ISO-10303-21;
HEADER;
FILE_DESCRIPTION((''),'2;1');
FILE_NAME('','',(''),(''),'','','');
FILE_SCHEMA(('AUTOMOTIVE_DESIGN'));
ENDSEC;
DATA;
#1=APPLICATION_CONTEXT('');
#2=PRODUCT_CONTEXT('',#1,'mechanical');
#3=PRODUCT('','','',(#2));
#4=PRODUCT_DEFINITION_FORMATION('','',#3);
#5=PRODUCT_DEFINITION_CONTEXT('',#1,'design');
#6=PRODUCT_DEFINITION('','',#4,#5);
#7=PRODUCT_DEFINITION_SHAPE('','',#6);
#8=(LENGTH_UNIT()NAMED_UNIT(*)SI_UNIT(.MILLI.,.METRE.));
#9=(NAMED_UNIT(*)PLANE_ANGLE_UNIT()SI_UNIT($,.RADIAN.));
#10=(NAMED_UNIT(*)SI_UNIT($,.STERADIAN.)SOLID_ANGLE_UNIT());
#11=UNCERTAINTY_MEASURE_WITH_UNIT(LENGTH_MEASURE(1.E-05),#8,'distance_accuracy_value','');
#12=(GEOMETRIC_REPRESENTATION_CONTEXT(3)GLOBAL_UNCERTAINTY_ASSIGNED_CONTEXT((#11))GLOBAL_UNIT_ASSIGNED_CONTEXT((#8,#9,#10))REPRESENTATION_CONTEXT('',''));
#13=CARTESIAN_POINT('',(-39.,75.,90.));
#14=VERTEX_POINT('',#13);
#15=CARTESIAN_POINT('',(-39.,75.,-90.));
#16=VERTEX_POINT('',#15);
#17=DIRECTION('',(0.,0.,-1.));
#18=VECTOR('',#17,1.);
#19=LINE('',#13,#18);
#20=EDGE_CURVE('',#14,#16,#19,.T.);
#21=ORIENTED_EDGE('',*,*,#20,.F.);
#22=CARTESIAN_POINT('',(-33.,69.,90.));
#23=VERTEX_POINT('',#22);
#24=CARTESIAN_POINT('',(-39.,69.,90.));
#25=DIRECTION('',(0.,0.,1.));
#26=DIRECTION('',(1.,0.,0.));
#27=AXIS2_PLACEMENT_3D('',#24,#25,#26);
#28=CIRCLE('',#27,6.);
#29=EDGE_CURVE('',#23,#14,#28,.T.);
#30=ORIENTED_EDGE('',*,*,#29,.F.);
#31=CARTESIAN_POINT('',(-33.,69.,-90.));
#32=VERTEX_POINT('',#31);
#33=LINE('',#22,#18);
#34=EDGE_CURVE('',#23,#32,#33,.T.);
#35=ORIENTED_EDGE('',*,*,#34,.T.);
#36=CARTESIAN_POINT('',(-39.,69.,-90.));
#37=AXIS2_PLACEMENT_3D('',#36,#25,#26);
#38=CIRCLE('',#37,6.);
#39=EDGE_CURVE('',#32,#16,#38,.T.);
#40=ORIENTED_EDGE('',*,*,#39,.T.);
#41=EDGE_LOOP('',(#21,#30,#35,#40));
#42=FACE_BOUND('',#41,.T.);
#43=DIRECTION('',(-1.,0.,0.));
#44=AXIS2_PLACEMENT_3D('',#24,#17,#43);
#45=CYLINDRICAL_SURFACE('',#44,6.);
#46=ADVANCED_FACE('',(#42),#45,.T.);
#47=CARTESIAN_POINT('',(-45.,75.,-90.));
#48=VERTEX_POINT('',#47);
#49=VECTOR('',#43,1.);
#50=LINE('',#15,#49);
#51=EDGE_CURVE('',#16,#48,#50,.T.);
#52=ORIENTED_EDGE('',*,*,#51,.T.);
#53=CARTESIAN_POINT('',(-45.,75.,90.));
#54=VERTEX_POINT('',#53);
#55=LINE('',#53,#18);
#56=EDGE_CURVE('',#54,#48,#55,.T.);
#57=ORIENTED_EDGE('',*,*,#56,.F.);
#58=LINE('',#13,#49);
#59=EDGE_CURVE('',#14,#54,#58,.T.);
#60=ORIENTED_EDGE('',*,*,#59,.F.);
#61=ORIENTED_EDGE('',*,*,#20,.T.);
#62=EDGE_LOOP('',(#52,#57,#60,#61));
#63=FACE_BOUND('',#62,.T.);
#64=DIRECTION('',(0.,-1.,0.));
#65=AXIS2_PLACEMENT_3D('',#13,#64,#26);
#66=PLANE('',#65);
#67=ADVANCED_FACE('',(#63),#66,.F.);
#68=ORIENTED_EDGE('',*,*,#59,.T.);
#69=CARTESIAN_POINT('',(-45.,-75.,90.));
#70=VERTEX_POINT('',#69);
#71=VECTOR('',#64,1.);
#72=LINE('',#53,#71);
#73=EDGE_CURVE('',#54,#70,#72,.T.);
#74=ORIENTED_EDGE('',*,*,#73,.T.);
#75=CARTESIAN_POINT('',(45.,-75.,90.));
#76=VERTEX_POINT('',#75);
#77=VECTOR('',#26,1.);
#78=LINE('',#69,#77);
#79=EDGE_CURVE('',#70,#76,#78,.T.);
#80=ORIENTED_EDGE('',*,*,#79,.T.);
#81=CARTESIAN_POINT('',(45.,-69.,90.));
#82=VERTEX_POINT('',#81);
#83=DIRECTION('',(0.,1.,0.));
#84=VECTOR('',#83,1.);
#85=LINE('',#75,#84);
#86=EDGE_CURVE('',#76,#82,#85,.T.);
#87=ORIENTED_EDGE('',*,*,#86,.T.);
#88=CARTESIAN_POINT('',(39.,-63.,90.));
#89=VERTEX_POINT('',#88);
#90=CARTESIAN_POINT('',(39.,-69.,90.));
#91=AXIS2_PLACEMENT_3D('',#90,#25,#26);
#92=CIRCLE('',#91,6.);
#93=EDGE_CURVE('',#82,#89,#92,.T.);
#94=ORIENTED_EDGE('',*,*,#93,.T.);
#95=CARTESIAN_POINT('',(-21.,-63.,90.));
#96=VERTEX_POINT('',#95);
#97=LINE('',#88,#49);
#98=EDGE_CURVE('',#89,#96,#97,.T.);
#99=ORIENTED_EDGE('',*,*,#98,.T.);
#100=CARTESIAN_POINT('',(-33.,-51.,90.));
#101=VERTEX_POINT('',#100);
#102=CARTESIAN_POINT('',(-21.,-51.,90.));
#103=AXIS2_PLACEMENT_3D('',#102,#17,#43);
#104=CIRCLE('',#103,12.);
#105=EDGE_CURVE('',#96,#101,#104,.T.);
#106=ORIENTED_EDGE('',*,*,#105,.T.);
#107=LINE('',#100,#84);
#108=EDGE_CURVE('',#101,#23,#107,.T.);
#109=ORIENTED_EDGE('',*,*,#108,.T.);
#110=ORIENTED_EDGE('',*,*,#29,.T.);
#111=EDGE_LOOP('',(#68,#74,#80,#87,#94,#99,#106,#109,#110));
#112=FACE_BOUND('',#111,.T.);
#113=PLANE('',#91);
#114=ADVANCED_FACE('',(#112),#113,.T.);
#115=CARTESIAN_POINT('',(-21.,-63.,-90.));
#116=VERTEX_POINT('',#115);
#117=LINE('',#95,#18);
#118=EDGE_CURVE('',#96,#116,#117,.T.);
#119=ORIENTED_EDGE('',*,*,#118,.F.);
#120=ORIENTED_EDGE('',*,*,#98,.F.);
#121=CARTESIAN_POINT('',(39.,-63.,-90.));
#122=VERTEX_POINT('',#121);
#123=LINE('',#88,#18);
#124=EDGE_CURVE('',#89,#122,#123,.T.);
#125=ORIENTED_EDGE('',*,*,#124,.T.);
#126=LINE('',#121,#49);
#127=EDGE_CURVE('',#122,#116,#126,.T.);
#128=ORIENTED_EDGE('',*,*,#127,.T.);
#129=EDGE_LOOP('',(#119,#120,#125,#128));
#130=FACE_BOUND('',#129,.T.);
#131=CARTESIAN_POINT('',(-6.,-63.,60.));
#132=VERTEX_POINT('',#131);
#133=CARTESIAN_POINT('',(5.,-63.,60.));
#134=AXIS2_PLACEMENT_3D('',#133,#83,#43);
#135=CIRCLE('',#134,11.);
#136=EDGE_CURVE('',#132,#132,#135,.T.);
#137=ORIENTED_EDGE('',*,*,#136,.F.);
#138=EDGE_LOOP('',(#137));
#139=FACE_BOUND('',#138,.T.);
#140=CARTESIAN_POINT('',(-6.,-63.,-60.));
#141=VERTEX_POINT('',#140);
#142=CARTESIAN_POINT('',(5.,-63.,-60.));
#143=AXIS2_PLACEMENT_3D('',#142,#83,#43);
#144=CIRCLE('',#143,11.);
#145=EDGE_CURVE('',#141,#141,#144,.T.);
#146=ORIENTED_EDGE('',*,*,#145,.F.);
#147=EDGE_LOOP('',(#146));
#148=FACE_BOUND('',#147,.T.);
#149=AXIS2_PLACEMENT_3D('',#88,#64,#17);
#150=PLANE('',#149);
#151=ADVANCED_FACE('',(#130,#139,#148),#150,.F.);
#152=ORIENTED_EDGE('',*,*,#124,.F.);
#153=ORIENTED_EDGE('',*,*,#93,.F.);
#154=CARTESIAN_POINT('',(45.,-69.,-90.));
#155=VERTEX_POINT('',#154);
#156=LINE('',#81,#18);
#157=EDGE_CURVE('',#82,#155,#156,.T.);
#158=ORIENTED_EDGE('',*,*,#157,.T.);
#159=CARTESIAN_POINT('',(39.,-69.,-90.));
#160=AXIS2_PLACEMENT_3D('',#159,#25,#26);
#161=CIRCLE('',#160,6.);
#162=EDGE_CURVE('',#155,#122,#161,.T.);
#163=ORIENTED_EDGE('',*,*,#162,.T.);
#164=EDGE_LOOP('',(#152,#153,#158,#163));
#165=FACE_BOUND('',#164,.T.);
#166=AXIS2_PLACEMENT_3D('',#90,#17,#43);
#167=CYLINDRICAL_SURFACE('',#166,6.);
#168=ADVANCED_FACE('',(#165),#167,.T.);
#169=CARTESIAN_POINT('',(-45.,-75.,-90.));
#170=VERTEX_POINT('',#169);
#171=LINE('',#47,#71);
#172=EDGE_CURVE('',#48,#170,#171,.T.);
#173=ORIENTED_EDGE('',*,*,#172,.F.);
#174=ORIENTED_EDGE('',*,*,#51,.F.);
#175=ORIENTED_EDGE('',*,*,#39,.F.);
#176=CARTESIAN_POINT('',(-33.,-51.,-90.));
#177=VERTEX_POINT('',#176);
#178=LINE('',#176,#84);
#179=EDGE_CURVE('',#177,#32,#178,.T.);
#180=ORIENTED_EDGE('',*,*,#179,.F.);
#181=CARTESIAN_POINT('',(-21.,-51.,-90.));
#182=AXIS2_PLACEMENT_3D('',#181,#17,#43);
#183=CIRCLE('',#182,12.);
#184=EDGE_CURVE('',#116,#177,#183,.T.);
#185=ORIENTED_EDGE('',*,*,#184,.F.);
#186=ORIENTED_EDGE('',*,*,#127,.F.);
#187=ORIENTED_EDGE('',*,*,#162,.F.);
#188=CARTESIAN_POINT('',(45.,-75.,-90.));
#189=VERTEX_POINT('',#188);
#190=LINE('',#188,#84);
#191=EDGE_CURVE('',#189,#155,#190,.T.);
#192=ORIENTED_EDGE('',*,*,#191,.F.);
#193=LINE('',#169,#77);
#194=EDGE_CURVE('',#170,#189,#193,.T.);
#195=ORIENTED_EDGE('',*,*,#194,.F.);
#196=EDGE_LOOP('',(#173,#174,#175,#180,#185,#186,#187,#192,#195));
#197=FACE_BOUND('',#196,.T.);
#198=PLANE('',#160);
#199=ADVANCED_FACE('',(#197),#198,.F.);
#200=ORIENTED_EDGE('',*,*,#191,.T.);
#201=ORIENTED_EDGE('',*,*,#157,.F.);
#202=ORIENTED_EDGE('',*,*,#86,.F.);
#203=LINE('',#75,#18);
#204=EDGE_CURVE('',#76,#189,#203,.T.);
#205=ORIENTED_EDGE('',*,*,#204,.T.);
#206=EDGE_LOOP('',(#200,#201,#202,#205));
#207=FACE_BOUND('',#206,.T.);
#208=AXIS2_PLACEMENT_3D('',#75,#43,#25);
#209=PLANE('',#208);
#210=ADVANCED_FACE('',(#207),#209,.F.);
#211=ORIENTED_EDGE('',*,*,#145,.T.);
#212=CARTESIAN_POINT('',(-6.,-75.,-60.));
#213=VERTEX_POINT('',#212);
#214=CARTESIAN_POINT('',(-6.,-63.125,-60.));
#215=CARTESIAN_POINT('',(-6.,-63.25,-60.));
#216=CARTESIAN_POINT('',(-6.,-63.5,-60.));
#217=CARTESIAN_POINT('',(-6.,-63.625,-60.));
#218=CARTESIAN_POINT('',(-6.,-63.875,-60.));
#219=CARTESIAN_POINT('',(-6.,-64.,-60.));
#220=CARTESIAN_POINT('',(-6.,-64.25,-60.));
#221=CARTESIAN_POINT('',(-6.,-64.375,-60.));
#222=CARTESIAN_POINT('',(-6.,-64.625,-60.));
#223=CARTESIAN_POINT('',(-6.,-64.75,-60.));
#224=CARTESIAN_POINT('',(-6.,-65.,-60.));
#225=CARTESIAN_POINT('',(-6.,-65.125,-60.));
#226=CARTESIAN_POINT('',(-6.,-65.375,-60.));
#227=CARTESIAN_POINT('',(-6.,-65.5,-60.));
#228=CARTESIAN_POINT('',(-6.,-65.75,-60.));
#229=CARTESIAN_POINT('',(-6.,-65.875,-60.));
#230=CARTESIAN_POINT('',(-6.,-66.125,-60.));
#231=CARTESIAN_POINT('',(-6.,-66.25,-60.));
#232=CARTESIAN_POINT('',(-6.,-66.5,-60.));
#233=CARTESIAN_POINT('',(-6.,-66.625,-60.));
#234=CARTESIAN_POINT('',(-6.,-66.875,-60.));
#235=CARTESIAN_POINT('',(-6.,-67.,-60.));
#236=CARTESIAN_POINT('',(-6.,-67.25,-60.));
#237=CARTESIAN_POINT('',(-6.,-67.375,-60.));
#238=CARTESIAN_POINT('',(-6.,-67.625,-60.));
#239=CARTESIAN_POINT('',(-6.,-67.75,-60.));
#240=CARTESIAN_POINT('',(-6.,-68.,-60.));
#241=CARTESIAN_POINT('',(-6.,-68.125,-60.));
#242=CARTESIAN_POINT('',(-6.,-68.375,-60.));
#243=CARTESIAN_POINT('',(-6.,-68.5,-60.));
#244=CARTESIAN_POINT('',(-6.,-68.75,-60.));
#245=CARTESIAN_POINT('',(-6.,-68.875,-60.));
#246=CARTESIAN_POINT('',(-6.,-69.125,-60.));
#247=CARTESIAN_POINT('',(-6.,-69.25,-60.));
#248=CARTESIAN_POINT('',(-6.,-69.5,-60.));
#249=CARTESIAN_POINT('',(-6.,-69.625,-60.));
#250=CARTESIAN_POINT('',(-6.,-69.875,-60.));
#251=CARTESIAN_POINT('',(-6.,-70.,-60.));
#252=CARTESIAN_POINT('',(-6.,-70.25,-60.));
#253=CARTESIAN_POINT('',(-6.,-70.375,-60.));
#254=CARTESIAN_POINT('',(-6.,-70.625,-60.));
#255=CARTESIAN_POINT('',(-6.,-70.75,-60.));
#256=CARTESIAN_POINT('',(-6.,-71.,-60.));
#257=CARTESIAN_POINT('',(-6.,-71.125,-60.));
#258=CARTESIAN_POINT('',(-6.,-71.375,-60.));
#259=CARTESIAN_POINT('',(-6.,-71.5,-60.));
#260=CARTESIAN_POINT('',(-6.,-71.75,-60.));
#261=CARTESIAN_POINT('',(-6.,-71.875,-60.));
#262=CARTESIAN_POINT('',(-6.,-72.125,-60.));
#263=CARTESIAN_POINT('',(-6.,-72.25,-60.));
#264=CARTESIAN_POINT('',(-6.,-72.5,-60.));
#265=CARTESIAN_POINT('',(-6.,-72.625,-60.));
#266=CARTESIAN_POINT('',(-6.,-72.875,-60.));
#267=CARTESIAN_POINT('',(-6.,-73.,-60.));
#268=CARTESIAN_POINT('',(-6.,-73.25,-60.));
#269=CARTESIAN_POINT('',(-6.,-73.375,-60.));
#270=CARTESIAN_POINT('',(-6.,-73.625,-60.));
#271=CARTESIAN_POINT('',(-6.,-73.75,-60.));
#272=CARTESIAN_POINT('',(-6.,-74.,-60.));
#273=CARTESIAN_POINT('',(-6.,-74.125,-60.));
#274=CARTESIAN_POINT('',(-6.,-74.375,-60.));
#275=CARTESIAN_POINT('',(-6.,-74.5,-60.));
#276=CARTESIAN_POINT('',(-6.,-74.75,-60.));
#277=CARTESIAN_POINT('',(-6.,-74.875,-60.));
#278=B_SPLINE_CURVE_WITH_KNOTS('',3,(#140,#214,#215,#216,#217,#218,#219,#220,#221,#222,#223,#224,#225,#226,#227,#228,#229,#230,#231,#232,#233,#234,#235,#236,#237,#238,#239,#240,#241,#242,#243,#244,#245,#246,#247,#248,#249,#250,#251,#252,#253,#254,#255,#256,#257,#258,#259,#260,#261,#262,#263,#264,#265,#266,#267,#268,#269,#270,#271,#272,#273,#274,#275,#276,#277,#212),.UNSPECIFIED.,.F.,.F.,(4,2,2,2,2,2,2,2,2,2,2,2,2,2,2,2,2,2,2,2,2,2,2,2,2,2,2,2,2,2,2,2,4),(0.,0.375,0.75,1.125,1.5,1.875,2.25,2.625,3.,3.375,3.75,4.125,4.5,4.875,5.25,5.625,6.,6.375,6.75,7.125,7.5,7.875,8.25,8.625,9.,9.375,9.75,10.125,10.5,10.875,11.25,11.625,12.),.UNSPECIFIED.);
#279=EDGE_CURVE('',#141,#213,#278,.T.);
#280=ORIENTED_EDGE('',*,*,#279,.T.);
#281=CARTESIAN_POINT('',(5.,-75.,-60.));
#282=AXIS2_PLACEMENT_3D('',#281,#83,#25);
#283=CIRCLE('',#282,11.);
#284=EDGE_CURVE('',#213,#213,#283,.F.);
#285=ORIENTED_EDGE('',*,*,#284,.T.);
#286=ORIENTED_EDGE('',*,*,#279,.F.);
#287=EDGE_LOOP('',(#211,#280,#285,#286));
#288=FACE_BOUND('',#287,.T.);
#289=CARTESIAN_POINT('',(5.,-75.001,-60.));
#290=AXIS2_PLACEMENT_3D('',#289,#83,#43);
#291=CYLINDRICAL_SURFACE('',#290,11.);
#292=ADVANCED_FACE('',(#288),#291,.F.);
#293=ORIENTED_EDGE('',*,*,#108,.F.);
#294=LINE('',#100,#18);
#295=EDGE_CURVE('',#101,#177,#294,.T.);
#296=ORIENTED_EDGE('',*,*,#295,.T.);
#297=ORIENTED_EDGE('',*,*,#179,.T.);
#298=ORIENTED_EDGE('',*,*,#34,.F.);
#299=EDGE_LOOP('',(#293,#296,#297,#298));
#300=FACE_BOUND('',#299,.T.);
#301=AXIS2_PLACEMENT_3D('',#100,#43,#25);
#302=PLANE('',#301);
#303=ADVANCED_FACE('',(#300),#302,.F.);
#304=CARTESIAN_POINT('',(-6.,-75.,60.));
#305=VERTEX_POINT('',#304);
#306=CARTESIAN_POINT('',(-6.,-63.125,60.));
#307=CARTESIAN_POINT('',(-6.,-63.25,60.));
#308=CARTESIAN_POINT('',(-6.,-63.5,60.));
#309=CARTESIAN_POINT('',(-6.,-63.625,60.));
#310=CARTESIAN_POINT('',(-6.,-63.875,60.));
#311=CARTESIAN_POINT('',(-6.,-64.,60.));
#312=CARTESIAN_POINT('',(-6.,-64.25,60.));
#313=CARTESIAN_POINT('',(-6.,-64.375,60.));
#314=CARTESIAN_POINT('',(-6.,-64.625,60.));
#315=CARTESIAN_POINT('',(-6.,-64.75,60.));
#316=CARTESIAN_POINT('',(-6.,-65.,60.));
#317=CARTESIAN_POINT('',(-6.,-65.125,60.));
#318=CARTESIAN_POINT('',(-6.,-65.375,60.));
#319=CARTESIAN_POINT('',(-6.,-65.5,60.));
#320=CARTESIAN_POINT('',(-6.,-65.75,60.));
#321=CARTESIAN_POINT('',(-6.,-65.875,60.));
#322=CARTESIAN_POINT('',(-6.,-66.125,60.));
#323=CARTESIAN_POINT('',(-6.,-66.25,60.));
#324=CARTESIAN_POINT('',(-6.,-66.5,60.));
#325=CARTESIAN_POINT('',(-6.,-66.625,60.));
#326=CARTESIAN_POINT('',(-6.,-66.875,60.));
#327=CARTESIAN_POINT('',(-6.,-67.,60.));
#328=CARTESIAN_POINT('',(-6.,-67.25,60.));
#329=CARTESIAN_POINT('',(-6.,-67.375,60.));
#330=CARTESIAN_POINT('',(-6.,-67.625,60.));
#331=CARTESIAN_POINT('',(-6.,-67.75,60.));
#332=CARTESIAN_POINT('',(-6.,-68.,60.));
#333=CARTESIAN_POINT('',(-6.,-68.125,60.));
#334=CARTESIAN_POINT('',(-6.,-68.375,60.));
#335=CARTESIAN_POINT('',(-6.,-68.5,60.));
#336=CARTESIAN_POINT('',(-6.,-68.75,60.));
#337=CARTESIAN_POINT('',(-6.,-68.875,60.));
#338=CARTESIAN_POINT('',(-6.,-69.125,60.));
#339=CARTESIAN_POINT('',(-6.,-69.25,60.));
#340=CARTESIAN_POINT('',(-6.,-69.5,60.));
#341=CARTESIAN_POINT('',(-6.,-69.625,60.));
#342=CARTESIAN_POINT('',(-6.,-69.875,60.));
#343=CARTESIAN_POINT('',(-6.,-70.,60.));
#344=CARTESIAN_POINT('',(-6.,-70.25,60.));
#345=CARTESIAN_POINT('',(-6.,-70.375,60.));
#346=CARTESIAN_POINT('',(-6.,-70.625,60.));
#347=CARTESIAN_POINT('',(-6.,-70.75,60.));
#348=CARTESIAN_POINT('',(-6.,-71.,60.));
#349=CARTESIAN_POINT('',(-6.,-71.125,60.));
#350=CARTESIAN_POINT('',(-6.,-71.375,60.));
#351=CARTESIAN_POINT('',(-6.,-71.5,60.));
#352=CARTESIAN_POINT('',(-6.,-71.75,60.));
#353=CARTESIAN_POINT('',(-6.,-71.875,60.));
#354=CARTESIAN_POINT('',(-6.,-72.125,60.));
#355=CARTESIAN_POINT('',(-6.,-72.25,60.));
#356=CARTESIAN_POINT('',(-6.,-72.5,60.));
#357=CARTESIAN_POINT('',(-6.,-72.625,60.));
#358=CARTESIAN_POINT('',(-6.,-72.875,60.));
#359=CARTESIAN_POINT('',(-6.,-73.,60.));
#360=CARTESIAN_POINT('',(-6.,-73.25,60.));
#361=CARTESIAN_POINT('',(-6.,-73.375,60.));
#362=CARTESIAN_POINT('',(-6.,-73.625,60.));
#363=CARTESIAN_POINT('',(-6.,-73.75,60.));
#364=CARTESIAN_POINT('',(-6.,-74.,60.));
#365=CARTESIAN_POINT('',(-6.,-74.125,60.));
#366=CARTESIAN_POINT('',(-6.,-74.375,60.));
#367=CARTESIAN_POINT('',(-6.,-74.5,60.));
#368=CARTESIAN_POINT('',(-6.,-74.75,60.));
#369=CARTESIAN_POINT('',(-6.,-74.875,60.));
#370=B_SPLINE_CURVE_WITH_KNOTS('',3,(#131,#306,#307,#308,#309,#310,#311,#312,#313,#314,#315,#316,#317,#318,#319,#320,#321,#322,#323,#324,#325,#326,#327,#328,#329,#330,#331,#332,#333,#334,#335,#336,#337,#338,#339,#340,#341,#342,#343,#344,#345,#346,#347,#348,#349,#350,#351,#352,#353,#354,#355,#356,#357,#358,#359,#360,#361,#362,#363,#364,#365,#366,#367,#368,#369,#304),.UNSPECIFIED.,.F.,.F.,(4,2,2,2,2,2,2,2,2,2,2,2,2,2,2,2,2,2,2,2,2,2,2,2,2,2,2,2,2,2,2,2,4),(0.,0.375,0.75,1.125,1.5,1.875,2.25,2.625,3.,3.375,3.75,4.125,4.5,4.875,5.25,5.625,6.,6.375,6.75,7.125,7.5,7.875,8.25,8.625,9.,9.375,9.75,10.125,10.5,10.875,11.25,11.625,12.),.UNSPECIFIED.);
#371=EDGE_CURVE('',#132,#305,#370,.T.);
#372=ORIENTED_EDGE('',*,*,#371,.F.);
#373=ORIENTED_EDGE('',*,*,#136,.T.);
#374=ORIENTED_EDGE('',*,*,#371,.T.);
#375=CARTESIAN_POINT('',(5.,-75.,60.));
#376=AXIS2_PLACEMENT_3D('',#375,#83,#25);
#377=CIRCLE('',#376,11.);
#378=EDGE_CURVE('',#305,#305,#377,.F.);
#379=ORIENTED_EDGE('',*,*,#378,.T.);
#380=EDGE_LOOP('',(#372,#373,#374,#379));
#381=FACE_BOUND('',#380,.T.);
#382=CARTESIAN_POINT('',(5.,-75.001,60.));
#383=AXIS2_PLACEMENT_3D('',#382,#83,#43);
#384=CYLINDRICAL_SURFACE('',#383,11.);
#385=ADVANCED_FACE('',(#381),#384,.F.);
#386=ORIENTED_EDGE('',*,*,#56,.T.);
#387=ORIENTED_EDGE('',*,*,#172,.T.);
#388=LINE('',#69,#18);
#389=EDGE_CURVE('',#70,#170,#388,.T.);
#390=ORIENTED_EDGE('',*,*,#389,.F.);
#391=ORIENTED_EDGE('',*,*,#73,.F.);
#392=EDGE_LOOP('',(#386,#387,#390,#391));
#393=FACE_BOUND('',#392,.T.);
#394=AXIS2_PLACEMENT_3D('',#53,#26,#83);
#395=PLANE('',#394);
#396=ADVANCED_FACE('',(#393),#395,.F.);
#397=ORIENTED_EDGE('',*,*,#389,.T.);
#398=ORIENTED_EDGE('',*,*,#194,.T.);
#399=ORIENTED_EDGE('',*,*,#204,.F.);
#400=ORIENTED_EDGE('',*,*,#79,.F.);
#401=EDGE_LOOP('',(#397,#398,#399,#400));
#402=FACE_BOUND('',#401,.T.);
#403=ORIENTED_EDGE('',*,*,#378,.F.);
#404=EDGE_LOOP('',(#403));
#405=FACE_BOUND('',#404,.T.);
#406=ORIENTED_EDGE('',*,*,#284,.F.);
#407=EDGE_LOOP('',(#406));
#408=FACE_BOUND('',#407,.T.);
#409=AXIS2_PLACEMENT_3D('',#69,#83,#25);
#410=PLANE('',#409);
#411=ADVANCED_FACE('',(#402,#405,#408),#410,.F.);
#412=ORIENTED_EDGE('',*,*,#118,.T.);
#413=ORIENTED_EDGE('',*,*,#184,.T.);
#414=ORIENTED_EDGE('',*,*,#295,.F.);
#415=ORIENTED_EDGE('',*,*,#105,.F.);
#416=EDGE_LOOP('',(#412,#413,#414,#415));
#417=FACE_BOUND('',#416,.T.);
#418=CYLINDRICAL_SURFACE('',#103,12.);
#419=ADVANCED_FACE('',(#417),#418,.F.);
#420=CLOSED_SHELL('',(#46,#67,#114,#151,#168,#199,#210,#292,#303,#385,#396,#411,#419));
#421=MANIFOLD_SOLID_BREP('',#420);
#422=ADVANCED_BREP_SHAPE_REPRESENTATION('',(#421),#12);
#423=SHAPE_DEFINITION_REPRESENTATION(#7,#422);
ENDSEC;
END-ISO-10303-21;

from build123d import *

# Parameters (mm, degrees)
BOSS_EXTRUDE1_DEPTH = 90
CUT_EXTRUDE1_REACH  = 172.789
SKETCH2_R           = 11


with BuildPart() as part:
    # Sketch1 → Boss-Extrude1 (new, symmetric)
    with BuildSketch(Plane.XY):
        with BuildLine():
            Line((-45, 75), (-45, -75))
            Line((-45, -75), (45, -75))
            Line((45, -75), (45, -69))
            ThreePointArc((45, -69), (43.242640687, -64.757359313), (39, -63))
            Line((39, -63), (-21, -63))
            ThreePointArc((-21, -63), (-29.485281374, -59.485281374), (-33, -51))
            Line((-33, -51), (-33, 69))
            ThreePointArc((-33, 69), (-34.757359313, 73.242640687), (-39, 75))
            Line((-39, 75), (-45, 75))
        make_face()
    extrude(amount=BOSS_EXTRUDE1_DEPTH, both=True)

    # Sketch2 → Cut-Extrude1 (cut, up to next)
    with BuildSketch(Plane(origin=(0, -63, 0), x_dir=(1, 0, 0), z_dir=(0, 1, 0)), mode=Mode.PRIVATE) as cut_extrude1_sk1:
        with Locations(Location((5, -60, 0), (0, 0, 180))):
            Circle(SKETCH2_R)
    cut_extrude1_tool1 = extrude(cut_extrude1_sk1.sketch, amount=-CUT_EXTRUDE1_REACH, mode=Mode.PRIVATE) & part.part
    # Sketch2 → Cut-Extrude1 (cut, up to next)
    with BuildSketch(Plane(origin=(0, -63, 0), x_dir=(1, 0, 0), z_dir=(0, 1, 0)), mode=Mode.PRIVATE) as cut_extrude1_sk2:
        with Locations(Location((5, 60, 0), (0, 0, 180))):
            Circle(SKETCH2_R)
    cut_extrude1_tool2 = extrude(cut_extrude1_sk2.sketch, amount=-CUT_EXTRUDE1_REACH, mode=Mode.PRIVATE) & part.part
    add(cut_extrude1_tool1.solids().sort_by_distance((5, -63, 60))[0], mode=Mode.SUBTRACT)
    add(cut_extrude1_tool2.solids().sort_by_distance((5, -63, -60))[0], mode=Mode.SUBTRACT)


solid = part.part
